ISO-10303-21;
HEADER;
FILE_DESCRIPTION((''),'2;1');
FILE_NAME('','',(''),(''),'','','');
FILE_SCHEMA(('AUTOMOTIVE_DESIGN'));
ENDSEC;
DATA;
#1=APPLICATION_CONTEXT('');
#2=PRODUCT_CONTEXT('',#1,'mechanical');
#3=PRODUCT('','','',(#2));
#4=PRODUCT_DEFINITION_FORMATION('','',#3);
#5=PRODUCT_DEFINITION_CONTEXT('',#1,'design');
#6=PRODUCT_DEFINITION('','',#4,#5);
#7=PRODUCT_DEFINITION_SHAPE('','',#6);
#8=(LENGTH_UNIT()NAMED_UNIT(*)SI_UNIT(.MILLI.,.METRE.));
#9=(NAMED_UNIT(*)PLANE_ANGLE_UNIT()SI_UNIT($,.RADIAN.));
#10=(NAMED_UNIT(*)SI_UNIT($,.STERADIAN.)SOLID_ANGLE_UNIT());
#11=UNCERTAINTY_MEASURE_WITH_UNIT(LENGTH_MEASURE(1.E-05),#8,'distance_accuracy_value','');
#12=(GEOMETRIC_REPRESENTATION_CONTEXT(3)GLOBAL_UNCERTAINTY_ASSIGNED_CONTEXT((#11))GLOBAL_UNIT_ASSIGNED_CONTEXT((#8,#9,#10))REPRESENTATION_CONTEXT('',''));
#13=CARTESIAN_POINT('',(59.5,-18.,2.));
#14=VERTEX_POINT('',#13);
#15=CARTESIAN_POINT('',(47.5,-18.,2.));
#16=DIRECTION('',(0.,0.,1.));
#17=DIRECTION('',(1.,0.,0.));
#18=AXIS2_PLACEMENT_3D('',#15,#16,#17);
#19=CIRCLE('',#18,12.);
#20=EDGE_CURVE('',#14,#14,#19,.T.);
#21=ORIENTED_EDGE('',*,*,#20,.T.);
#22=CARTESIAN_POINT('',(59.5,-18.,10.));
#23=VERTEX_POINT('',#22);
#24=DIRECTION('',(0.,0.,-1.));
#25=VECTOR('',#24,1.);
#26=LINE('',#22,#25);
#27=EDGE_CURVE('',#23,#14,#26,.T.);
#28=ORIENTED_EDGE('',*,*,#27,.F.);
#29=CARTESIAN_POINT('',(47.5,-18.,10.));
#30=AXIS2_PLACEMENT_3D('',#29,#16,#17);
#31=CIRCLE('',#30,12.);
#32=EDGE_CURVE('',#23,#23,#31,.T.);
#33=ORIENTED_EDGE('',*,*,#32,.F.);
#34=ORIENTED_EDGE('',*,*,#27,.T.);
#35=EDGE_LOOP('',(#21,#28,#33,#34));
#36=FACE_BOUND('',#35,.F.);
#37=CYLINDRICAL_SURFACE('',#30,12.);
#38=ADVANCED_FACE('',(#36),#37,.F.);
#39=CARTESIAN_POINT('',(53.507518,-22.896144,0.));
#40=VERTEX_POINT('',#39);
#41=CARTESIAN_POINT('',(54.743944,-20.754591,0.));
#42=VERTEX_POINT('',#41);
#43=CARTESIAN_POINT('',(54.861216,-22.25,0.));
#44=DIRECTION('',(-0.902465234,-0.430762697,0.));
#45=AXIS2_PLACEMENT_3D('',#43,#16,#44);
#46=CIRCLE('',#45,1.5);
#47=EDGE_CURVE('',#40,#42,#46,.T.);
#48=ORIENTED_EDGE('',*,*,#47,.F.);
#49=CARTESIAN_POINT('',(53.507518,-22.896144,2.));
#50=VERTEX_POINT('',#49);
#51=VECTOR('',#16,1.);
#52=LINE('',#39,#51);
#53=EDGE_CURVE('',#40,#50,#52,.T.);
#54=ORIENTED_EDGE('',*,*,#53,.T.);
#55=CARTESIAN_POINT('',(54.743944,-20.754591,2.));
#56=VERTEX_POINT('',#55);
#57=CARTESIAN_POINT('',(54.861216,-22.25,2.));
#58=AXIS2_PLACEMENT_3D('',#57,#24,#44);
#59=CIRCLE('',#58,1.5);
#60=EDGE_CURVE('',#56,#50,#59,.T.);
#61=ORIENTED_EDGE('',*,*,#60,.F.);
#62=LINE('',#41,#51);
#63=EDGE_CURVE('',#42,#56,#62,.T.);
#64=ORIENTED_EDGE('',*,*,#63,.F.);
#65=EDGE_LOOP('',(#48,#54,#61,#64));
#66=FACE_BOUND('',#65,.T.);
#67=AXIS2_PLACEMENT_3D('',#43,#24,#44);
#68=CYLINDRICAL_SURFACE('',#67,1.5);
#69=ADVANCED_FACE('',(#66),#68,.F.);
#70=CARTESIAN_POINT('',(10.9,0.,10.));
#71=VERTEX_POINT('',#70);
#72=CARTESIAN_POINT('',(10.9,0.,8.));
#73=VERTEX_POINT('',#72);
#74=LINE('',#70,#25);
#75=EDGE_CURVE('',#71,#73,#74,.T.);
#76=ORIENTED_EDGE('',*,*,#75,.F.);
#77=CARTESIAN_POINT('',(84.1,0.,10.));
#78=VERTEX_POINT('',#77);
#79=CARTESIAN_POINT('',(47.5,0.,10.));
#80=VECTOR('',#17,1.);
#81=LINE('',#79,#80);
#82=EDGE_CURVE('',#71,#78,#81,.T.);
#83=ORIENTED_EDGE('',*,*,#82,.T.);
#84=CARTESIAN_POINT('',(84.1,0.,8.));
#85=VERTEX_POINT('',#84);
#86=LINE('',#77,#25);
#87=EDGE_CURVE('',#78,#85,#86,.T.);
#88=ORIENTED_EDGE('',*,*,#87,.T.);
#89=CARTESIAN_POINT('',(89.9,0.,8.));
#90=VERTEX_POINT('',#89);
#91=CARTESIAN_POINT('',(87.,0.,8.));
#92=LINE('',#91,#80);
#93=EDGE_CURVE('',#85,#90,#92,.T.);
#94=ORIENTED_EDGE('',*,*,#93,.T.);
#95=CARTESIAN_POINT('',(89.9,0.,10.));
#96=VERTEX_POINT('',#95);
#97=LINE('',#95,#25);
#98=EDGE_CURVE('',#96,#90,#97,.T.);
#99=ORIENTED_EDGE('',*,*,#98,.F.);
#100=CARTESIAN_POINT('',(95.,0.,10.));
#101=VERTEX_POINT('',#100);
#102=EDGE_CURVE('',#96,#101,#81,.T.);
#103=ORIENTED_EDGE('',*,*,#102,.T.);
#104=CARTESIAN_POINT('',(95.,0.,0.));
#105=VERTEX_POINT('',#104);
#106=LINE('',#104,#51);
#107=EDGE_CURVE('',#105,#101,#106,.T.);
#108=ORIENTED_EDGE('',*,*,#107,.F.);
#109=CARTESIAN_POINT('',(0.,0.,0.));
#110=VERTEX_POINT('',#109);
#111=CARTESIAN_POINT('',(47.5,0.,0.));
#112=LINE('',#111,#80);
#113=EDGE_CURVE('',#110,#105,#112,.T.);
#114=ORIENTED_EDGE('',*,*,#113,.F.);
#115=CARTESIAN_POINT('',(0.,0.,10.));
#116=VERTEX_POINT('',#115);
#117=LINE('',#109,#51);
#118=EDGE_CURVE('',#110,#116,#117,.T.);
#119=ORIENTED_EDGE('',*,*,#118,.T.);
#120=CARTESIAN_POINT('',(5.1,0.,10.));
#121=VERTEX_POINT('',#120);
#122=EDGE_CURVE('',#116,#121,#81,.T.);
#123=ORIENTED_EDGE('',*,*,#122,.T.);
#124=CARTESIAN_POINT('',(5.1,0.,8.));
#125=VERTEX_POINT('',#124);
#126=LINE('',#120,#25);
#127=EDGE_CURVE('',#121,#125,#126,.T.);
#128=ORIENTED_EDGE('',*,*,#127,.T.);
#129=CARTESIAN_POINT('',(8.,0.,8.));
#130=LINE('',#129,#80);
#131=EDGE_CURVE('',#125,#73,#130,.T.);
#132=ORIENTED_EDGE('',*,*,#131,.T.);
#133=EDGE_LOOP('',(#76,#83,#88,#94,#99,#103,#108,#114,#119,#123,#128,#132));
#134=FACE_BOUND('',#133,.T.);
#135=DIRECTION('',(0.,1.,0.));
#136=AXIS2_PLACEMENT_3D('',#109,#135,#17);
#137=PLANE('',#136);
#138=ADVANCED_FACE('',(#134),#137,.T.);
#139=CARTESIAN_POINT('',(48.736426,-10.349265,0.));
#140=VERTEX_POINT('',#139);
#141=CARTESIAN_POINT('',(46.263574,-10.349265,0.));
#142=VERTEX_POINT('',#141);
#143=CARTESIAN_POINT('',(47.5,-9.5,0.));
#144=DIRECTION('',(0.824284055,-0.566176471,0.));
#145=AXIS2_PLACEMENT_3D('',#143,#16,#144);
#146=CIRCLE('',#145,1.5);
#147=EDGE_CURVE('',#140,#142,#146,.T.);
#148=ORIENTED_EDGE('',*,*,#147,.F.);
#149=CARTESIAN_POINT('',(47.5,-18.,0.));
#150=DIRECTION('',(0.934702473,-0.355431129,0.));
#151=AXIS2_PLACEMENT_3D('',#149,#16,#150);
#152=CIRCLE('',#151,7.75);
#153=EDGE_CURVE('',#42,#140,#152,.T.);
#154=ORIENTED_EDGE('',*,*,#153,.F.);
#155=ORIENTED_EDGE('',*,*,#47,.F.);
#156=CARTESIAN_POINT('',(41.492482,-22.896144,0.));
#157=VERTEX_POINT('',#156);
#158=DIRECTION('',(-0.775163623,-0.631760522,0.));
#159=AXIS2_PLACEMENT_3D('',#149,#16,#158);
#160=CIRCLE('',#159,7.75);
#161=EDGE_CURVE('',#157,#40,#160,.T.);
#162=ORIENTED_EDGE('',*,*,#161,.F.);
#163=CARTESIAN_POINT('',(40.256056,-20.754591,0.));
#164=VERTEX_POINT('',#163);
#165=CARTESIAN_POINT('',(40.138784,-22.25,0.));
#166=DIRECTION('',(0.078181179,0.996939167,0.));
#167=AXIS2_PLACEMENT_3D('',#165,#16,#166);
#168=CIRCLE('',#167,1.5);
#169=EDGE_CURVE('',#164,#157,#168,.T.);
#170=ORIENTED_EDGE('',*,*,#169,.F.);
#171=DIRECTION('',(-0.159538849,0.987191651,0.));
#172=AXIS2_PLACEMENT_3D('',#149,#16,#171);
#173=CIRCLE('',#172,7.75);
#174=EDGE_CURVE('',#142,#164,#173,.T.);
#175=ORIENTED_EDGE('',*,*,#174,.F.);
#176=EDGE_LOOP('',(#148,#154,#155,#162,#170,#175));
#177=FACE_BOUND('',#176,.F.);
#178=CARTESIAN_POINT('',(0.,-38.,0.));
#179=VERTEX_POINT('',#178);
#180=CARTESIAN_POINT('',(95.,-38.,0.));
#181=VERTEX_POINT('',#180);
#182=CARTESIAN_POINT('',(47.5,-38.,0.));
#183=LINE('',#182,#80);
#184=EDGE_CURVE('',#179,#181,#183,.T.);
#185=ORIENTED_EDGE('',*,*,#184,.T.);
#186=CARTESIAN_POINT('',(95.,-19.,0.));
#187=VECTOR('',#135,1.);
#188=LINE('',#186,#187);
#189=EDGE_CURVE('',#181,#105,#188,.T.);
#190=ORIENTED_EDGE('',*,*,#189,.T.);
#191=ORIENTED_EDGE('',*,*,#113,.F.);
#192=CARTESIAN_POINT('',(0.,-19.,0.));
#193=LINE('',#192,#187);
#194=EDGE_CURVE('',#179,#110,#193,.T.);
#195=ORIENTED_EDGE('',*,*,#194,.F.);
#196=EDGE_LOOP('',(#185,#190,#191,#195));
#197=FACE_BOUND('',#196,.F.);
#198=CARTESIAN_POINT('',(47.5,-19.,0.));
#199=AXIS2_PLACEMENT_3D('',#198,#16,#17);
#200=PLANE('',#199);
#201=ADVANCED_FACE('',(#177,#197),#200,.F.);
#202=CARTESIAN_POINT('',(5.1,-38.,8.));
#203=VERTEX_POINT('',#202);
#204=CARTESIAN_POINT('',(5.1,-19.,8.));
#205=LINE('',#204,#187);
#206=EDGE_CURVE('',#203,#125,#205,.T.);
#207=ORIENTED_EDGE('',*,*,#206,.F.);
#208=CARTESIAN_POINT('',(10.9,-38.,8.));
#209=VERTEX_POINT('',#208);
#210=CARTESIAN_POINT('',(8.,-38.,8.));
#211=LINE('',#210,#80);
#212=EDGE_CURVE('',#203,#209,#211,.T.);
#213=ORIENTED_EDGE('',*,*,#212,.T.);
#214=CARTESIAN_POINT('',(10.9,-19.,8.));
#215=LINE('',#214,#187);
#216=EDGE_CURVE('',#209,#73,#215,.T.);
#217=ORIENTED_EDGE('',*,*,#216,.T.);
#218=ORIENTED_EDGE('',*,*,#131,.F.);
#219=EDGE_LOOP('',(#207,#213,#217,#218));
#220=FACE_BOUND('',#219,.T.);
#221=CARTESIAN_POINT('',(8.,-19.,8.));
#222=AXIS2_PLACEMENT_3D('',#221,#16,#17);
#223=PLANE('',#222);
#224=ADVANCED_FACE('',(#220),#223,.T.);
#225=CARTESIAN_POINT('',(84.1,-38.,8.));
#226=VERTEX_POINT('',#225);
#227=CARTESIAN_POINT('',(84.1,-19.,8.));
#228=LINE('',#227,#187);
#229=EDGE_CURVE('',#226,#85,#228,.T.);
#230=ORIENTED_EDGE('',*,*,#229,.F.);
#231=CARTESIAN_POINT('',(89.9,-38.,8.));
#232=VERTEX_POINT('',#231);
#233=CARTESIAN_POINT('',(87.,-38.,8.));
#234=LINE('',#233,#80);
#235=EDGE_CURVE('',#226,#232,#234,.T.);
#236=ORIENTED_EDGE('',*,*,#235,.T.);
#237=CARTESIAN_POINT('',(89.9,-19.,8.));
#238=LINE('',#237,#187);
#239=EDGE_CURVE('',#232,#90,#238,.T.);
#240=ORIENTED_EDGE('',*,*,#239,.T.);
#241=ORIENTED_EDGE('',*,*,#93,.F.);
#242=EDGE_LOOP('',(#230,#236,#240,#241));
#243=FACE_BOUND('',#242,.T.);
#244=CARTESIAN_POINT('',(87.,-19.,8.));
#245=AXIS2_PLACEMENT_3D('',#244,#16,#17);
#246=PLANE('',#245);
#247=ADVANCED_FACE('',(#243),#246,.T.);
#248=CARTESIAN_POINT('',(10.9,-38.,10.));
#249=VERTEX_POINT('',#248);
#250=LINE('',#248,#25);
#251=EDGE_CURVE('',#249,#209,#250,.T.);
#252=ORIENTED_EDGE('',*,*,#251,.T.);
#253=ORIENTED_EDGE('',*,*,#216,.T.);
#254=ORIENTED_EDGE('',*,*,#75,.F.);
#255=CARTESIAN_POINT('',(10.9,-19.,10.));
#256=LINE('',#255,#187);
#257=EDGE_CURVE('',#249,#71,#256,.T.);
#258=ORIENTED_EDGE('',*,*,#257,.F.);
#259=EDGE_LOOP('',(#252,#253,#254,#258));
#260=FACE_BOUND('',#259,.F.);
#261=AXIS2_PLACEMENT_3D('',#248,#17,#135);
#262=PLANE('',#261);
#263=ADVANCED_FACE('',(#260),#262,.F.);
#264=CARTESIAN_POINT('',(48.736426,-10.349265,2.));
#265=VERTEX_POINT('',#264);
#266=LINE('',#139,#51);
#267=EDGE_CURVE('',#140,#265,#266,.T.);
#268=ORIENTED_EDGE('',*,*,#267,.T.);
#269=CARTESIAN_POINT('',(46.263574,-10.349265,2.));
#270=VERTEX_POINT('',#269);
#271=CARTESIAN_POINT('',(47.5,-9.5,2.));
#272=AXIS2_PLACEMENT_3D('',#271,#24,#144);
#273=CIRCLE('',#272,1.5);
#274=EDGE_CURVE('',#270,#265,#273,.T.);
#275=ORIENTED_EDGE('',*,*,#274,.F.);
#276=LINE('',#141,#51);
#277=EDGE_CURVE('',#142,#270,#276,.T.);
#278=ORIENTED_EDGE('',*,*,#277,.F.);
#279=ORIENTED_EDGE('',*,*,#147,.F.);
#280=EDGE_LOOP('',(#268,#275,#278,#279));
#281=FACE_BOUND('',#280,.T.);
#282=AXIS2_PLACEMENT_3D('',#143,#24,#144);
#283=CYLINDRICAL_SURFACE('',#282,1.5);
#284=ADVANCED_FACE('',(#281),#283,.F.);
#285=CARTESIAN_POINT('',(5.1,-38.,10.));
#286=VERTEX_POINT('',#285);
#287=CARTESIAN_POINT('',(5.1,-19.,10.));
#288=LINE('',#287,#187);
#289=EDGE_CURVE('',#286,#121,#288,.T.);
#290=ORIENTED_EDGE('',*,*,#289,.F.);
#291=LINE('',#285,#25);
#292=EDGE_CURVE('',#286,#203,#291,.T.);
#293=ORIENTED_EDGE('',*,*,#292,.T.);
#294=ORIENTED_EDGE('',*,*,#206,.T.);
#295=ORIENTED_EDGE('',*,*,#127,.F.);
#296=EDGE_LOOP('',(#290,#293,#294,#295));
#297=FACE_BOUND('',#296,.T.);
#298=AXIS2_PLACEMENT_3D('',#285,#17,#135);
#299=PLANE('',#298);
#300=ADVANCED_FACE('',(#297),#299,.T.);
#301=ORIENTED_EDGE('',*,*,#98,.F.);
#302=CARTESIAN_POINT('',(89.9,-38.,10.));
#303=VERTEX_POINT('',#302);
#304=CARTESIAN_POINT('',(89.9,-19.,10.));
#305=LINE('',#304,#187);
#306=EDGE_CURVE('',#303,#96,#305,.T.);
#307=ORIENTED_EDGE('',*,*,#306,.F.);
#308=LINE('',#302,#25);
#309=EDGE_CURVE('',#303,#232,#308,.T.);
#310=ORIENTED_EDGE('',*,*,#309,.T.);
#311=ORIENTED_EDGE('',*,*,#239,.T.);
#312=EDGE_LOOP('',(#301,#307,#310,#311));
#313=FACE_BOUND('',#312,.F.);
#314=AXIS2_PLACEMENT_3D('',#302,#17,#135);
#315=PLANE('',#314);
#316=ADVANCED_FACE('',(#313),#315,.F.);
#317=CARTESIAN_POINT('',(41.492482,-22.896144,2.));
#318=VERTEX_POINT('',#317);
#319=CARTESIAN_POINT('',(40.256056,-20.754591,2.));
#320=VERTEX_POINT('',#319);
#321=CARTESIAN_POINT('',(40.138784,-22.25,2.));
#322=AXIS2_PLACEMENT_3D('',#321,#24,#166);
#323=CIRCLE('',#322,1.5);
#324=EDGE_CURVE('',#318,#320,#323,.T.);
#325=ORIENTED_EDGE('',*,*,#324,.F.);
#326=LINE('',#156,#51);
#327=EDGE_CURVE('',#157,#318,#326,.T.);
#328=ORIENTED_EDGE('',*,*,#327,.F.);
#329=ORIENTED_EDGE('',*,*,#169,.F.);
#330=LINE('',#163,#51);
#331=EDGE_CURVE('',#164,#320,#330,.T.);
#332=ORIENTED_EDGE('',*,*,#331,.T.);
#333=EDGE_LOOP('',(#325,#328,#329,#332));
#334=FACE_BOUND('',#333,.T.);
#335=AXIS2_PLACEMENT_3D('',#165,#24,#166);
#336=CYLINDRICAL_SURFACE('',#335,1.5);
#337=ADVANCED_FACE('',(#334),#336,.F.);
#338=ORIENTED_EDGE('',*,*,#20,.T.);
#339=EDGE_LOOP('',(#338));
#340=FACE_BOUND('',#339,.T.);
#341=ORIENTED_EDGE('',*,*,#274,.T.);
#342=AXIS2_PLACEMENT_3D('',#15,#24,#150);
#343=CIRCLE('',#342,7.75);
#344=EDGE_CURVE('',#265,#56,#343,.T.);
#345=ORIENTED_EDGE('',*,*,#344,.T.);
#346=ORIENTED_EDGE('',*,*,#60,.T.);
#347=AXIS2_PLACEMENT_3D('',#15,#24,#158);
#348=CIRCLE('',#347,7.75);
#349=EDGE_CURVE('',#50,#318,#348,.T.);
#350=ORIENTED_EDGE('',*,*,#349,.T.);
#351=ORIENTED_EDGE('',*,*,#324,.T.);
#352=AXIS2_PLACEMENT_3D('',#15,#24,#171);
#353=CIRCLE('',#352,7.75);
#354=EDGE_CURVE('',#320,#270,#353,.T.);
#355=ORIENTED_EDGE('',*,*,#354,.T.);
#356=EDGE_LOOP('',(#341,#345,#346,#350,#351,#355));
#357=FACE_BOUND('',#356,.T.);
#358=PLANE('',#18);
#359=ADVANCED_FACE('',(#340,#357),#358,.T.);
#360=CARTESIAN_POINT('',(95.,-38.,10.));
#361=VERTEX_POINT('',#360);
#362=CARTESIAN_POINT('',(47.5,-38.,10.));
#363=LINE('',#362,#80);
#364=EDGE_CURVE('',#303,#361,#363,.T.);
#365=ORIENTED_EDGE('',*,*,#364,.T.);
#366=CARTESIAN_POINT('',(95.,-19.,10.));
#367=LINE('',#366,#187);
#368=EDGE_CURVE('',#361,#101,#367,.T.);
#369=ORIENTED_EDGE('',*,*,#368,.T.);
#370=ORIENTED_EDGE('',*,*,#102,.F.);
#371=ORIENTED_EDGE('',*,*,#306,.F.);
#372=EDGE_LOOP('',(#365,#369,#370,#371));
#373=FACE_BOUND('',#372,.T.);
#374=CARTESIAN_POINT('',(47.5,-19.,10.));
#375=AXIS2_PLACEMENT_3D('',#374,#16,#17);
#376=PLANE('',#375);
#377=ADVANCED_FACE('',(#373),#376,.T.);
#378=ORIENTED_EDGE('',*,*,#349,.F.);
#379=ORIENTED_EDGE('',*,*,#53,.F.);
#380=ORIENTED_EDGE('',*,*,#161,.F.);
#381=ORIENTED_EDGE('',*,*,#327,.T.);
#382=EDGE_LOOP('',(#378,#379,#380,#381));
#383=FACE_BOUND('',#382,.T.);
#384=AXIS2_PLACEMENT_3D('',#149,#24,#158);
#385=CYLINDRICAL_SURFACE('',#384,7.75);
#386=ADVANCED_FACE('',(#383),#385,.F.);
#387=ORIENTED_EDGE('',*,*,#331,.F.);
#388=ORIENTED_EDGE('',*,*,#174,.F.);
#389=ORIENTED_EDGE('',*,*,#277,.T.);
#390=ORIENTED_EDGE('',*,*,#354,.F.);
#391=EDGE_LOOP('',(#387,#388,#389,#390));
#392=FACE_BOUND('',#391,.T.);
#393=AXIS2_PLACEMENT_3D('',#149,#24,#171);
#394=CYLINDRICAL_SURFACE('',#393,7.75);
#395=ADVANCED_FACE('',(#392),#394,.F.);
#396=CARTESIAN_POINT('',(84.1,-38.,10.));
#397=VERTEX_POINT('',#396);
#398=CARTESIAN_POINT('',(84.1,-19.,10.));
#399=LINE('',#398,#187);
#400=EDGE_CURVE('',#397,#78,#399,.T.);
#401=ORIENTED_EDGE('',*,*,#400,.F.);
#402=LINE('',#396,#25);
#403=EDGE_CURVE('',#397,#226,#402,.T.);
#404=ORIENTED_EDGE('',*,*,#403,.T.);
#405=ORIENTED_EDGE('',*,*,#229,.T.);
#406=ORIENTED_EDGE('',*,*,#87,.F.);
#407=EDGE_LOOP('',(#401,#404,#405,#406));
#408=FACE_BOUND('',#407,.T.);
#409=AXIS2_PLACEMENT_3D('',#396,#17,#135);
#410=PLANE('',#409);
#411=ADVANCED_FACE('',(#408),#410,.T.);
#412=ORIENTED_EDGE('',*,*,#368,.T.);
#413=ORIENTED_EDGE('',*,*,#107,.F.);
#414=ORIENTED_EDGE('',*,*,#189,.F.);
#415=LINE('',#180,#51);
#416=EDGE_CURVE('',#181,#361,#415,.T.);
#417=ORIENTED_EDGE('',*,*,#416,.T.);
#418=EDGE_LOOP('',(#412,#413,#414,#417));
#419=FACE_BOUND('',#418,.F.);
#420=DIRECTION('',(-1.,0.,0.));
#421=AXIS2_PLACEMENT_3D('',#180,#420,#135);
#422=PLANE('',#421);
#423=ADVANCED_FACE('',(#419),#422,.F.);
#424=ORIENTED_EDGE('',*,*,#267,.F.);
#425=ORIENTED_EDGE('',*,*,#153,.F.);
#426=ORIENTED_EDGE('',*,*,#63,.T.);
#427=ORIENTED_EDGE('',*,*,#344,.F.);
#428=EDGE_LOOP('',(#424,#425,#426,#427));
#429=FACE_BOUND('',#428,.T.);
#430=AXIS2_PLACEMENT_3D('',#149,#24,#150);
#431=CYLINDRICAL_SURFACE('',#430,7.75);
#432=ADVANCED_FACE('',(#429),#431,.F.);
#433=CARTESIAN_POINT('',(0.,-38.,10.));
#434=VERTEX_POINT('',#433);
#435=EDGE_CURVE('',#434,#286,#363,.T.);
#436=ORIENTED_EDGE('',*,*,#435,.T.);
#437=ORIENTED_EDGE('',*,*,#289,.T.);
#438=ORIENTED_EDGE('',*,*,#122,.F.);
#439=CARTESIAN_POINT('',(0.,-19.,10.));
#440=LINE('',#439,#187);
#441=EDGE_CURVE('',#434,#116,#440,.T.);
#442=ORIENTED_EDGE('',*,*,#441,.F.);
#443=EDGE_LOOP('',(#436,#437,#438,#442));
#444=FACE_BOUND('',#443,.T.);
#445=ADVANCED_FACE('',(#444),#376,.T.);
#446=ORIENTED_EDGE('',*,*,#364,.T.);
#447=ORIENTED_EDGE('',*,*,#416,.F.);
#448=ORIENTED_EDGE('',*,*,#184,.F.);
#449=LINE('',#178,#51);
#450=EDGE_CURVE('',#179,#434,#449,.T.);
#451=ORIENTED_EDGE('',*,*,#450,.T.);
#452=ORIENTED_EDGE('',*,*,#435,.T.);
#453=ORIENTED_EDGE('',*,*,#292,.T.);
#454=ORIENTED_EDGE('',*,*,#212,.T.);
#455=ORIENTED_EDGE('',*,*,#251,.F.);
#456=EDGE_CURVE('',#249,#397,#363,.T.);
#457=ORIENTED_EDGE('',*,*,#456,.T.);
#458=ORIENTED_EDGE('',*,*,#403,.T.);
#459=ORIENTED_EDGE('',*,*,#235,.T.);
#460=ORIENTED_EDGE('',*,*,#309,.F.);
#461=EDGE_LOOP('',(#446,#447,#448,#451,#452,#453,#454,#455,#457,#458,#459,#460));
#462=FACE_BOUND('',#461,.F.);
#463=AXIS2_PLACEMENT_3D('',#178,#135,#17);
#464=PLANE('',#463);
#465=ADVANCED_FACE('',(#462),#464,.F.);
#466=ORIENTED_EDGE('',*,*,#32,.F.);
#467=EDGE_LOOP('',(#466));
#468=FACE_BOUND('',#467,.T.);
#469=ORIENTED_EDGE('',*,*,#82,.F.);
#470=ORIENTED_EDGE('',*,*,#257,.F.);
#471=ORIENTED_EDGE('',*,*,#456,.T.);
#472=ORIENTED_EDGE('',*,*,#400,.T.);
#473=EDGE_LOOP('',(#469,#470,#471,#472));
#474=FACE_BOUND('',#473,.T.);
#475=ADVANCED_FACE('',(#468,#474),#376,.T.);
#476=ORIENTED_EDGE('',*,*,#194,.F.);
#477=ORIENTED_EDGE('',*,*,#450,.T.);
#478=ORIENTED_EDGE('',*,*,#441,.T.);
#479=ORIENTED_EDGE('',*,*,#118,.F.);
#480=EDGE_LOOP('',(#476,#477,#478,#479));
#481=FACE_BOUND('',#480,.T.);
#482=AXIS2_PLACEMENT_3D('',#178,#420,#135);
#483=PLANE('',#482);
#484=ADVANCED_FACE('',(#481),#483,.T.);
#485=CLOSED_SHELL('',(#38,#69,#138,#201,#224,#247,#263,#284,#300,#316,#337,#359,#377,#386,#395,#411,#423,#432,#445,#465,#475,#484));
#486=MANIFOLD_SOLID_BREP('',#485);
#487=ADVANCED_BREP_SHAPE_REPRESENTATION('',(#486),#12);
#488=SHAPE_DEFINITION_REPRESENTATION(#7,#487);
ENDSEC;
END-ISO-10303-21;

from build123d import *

# Parameters (mm, degrees)
ESQUISSE1_W      = 95
ESQUISSE1_H      = 38
EXTRUSION1_DEPTH = 10
ESQUISSE3_R      = 12
EXTRUSION3_DEPTH = 8
ESQUISSE4_W      = 5.8
ESQUISSE4_H      = 38
EXTRUSION4_DEPTH = 2


with BuildPart() as part:
    # Esquisse1 → Extrusion1 (new body)
    with BuildSketch(Plane.XY):
        with Locations((47.5, -19)):
            Rectangle(ESQUISSE1_W, ESQUISSE1_H)
        with BuildLine():
            ThreePointArc((46.263573917, -10.349264706), (40.788303121, -14.125), (40.256055836, -20.754591249))
            ThreePointArc((40.256055836, -20.754591249), (38.839745962, -23), (41.492481919, -22.896144045))
            ThreePointArc((41.492481919, -22.896144045), (47.5, -25.75), (53.507518081, -22.896144045))
            ThreePointArc((53.507518081, -22.896144045), (56.160254038, -23), (54.743944164, -20.754591249))
            ThreePointArc((54.743944164, -20.754591249), (54.211696879, -14.125), (48.736426083, -10.349264706))
            ThreePointArc((48.736426083, -10.349264706), (47.5, -8), (46.263573917, -10.349264706))
        make_face(mode=Mode.SUBTRACT)
    extrude(amount=EXTRUSION1_DEPTH)

    # Esquisse3 → Extrusion3 (cut)
    with BuildSketch(Plane.XY.offset(10)):
        with Locations((47.5, -18)):
            Circle(ESQUISSE3_R)
    extrude(amount=-EXTRUSION3_DEPTH, mode=Mode.SUBTRACT)

    # Esquisse4 → Extrusion4 (cut)
    with BuildSketch(Plane.XY.offset(10)):
        with Locations((8, -19)):
            Rectangle(ESQUISSE4_W, ESQUISSE4_H)
        with Locations((87, -19)):
            Rectangle(ESQUISSE4_W, ESQUISSE4_H)
    extrude(amount=-EXTRUSION4_DEPTH, mode=Mode.SUBTRACT)


solid = part.part
